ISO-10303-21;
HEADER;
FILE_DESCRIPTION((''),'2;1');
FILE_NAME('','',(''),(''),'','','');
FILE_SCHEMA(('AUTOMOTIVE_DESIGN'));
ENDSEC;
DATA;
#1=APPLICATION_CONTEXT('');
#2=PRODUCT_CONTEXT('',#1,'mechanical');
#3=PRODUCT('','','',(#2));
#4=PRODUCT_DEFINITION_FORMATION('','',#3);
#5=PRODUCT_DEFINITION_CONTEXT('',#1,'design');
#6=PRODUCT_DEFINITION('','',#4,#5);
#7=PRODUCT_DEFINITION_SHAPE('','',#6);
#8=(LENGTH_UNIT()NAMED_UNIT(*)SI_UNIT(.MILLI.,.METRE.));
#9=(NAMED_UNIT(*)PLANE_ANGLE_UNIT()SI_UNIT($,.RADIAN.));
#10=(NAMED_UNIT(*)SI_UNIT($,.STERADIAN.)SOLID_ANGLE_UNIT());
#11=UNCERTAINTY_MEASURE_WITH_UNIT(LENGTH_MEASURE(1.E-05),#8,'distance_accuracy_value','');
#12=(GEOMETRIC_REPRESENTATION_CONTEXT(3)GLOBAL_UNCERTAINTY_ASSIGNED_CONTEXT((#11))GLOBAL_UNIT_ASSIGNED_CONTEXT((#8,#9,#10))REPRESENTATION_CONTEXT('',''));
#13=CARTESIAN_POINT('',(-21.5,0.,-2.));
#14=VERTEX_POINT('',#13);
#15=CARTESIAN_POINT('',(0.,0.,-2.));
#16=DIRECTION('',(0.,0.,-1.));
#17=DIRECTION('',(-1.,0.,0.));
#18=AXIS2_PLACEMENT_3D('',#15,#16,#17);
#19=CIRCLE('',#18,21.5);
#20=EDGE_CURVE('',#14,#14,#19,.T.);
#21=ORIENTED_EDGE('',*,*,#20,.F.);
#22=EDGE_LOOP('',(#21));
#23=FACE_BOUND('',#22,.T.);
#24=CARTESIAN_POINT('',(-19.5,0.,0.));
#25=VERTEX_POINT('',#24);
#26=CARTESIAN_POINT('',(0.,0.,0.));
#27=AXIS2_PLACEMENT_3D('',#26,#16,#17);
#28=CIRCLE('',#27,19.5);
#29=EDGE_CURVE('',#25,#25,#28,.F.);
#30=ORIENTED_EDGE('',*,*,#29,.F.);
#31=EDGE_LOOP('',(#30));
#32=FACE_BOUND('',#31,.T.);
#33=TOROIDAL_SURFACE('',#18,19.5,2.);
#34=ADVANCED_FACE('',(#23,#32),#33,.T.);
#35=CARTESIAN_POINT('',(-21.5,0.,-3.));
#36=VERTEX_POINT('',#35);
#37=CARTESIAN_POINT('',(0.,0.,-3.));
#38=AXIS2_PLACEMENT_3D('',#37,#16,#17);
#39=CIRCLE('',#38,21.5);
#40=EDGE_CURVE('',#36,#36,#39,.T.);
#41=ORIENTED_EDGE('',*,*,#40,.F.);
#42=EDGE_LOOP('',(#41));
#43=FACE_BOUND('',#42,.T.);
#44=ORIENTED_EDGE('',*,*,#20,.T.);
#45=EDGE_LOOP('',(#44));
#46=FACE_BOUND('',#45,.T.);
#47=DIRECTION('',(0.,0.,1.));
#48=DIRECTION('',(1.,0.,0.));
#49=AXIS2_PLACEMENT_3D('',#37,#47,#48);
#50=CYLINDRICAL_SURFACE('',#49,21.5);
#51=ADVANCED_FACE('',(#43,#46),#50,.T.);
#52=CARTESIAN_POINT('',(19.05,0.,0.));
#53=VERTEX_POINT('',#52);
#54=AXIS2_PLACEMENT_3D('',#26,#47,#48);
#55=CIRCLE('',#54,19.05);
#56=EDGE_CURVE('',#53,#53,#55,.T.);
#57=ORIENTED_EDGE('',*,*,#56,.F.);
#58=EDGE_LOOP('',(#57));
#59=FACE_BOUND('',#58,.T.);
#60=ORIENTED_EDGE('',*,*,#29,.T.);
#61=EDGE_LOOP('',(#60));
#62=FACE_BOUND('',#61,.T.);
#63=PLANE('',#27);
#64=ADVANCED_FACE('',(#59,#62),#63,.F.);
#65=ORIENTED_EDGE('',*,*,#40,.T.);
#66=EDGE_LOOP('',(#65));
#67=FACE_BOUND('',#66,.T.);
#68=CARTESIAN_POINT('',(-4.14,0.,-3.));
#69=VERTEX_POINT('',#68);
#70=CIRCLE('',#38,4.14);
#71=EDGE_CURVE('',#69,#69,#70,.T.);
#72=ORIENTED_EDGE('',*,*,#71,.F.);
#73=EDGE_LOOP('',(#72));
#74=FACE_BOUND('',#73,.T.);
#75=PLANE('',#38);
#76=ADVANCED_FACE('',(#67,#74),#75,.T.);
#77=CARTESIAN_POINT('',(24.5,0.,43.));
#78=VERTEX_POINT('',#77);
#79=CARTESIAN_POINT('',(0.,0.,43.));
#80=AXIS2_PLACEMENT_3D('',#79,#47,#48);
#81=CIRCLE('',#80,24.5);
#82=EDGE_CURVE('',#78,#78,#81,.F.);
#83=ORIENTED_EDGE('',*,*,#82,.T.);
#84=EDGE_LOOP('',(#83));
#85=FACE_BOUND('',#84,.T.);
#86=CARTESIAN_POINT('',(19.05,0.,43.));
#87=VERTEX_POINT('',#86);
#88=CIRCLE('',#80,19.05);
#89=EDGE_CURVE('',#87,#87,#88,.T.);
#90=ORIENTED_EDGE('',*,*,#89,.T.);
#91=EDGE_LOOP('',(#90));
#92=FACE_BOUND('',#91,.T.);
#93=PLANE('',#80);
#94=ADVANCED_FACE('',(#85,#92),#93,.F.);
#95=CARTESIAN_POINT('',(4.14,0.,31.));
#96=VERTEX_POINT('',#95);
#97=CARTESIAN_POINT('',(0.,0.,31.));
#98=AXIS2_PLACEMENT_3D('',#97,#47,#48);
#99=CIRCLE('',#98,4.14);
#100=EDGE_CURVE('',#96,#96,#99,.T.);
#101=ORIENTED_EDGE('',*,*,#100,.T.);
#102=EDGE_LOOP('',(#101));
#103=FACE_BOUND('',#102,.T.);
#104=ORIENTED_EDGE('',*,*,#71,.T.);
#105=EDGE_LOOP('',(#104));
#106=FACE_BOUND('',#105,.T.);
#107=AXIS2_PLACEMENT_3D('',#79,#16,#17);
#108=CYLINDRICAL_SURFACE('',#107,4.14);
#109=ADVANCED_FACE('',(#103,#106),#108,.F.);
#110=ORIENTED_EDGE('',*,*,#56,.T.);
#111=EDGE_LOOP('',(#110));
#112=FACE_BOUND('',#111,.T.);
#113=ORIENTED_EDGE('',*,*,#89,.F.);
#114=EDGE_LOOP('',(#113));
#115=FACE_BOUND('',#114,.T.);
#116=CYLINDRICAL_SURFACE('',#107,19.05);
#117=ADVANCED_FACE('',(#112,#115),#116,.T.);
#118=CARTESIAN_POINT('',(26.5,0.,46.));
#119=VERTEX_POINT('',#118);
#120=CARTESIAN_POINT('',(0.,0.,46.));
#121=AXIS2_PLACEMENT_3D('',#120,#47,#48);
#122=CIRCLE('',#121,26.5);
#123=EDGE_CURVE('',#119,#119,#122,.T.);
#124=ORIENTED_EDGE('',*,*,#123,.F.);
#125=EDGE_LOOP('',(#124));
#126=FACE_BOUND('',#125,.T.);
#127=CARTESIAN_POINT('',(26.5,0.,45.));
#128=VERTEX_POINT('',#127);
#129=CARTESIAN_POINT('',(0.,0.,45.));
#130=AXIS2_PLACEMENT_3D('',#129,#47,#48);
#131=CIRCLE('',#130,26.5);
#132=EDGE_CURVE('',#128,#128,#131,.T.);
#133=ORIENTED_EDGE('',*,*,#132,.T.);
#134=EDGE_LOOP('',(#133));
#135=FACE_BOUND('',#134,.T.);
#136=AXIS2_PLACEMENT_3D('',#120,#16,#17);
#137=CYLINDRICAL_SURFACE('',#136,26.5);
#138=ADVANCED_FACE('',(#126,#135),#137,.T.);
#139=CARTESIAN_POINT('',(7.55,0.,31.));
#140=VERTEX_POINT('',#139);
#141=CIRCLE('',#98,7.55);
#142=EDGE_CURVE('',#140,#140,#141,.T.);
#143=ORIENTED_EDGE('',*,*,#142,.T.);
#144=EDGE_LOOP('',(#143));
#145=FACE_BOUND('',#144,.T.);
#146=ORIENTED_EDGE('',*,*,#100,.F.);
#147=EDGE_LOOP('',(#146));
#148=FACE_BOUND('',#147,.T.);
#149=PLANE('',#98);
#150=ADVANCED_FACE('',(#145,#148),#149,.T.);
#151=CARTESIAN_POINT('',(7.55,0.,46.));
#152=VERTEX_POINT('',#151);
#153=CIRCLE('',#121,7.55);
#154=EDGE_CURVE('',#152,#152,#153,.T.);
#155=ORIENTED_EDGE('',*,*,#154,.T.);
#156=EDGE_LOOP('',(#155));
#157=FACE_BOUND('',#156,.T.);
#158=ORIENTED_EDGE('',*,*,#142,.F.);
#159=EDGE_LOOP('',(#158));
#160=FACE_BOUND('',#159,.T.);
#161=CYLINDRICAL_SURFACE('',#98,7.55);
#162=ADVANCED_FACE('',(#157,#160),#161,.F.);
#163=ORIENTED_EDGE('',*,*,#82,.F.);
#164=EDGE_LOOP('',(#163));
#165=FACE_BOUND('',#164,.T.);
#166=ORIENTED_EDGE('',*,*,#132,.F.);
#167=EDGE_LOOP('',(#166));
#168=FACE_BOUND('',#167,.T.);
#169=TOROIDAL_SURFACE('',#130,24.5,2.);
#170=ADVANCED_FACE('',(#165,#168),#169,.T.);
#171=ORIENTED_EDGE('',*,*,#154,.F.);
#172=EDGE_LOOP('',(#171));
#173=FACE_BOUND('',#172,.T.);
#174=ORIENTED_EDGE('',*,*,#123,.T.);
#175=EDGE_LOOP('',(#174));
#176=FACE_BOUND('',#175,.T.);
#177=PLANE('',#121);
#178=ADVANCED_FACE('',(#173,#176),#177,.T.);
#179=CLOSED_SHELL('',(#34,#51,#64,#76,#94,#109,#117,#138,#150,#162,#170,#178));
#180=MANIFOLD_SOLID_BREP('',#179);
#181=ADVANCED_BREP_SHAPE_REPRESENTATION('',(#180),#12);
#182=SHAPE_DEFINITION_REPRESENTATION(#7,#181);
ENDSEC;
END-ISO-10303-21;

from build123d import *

# Parameters (mm, degrees)
SKETCH1_R           = 19.05
SKETCH1_R_2         = 4.14
BOSS_EXTRUDE1_DEPTH = 43
SKETCH2_R           = 26.5
BOSS_EXTRUDE2_DEPTH = 3
BOSS_EXTRUDE3_START = 3
SKETCH3_R           = 21.5
SKETCH3_R_2         = 4.14
BOSS_EXTRUDE3_DEPTH = 3
SKETCH4_R           = 7.55
CUT_EXTRUDE1_DEPTH  = 15
FILLET1_R           = 2
FILLET2_R           = 2


with BuildPart() as part:
    # Sketch1 → Boss-Extrude1 (new body)
    with BuildSketch(Plane.XY):
        Circle(SKETCH1_R)
        Circle(SKETCH1_R_2, mode=Mode.SUBTRACT)
    extrude(amount=BOSS_EXTRUDE1_DEPTH)

    # Sketch2 → Boss-Extrude2 (add)
    with BuildSketch(Plane.XY.offset(43)):
        Circle(SKETCH2_R)
    extrude(amount=BOSS_EXTRUDE2_DEPTH)

    # Sketch3 → Boss-Extrude3 (add)
    with BuildSketch(Plane(origin=(0, 0, 0), x_dir=(-1, 0, 0), z_dir=(0, 0, -1)).offset(BOSS_EXTRUDE3_START)):
        Circle(SKETCH3_R)
        Circle(SKETCH3_R_2, mode=Mode.SUBTRACT)
    extrude(amount=-BOSS_EXTRUDE3_DEPTH)

    # Sketch4 → Cut-Extrude1 (cut)
    with BuildSketch(Plane.XY.offset(46)):
        Circle(SKETCH4_R)
    extrude(amount=-CUT_EXTRUDE1_DEPTH, mode=Mode.SUBTRACT)

    # Fillet1
    fillet1_edges = [part.edges().sort_by_distance(p)[0] for p in [
        (-26.5, 0, 43),
    ]]
    fillet(fillet1_edges, radius=FILLET1_R)

    # Fillet2
    fillet2_edges = [part.edges().sort_by_distance(p)[0] for p in [
        (21.5, 0, 0),
    ]]
    fillet(fillet2_edges, radius=FILLET2_R)


solid = part.part
